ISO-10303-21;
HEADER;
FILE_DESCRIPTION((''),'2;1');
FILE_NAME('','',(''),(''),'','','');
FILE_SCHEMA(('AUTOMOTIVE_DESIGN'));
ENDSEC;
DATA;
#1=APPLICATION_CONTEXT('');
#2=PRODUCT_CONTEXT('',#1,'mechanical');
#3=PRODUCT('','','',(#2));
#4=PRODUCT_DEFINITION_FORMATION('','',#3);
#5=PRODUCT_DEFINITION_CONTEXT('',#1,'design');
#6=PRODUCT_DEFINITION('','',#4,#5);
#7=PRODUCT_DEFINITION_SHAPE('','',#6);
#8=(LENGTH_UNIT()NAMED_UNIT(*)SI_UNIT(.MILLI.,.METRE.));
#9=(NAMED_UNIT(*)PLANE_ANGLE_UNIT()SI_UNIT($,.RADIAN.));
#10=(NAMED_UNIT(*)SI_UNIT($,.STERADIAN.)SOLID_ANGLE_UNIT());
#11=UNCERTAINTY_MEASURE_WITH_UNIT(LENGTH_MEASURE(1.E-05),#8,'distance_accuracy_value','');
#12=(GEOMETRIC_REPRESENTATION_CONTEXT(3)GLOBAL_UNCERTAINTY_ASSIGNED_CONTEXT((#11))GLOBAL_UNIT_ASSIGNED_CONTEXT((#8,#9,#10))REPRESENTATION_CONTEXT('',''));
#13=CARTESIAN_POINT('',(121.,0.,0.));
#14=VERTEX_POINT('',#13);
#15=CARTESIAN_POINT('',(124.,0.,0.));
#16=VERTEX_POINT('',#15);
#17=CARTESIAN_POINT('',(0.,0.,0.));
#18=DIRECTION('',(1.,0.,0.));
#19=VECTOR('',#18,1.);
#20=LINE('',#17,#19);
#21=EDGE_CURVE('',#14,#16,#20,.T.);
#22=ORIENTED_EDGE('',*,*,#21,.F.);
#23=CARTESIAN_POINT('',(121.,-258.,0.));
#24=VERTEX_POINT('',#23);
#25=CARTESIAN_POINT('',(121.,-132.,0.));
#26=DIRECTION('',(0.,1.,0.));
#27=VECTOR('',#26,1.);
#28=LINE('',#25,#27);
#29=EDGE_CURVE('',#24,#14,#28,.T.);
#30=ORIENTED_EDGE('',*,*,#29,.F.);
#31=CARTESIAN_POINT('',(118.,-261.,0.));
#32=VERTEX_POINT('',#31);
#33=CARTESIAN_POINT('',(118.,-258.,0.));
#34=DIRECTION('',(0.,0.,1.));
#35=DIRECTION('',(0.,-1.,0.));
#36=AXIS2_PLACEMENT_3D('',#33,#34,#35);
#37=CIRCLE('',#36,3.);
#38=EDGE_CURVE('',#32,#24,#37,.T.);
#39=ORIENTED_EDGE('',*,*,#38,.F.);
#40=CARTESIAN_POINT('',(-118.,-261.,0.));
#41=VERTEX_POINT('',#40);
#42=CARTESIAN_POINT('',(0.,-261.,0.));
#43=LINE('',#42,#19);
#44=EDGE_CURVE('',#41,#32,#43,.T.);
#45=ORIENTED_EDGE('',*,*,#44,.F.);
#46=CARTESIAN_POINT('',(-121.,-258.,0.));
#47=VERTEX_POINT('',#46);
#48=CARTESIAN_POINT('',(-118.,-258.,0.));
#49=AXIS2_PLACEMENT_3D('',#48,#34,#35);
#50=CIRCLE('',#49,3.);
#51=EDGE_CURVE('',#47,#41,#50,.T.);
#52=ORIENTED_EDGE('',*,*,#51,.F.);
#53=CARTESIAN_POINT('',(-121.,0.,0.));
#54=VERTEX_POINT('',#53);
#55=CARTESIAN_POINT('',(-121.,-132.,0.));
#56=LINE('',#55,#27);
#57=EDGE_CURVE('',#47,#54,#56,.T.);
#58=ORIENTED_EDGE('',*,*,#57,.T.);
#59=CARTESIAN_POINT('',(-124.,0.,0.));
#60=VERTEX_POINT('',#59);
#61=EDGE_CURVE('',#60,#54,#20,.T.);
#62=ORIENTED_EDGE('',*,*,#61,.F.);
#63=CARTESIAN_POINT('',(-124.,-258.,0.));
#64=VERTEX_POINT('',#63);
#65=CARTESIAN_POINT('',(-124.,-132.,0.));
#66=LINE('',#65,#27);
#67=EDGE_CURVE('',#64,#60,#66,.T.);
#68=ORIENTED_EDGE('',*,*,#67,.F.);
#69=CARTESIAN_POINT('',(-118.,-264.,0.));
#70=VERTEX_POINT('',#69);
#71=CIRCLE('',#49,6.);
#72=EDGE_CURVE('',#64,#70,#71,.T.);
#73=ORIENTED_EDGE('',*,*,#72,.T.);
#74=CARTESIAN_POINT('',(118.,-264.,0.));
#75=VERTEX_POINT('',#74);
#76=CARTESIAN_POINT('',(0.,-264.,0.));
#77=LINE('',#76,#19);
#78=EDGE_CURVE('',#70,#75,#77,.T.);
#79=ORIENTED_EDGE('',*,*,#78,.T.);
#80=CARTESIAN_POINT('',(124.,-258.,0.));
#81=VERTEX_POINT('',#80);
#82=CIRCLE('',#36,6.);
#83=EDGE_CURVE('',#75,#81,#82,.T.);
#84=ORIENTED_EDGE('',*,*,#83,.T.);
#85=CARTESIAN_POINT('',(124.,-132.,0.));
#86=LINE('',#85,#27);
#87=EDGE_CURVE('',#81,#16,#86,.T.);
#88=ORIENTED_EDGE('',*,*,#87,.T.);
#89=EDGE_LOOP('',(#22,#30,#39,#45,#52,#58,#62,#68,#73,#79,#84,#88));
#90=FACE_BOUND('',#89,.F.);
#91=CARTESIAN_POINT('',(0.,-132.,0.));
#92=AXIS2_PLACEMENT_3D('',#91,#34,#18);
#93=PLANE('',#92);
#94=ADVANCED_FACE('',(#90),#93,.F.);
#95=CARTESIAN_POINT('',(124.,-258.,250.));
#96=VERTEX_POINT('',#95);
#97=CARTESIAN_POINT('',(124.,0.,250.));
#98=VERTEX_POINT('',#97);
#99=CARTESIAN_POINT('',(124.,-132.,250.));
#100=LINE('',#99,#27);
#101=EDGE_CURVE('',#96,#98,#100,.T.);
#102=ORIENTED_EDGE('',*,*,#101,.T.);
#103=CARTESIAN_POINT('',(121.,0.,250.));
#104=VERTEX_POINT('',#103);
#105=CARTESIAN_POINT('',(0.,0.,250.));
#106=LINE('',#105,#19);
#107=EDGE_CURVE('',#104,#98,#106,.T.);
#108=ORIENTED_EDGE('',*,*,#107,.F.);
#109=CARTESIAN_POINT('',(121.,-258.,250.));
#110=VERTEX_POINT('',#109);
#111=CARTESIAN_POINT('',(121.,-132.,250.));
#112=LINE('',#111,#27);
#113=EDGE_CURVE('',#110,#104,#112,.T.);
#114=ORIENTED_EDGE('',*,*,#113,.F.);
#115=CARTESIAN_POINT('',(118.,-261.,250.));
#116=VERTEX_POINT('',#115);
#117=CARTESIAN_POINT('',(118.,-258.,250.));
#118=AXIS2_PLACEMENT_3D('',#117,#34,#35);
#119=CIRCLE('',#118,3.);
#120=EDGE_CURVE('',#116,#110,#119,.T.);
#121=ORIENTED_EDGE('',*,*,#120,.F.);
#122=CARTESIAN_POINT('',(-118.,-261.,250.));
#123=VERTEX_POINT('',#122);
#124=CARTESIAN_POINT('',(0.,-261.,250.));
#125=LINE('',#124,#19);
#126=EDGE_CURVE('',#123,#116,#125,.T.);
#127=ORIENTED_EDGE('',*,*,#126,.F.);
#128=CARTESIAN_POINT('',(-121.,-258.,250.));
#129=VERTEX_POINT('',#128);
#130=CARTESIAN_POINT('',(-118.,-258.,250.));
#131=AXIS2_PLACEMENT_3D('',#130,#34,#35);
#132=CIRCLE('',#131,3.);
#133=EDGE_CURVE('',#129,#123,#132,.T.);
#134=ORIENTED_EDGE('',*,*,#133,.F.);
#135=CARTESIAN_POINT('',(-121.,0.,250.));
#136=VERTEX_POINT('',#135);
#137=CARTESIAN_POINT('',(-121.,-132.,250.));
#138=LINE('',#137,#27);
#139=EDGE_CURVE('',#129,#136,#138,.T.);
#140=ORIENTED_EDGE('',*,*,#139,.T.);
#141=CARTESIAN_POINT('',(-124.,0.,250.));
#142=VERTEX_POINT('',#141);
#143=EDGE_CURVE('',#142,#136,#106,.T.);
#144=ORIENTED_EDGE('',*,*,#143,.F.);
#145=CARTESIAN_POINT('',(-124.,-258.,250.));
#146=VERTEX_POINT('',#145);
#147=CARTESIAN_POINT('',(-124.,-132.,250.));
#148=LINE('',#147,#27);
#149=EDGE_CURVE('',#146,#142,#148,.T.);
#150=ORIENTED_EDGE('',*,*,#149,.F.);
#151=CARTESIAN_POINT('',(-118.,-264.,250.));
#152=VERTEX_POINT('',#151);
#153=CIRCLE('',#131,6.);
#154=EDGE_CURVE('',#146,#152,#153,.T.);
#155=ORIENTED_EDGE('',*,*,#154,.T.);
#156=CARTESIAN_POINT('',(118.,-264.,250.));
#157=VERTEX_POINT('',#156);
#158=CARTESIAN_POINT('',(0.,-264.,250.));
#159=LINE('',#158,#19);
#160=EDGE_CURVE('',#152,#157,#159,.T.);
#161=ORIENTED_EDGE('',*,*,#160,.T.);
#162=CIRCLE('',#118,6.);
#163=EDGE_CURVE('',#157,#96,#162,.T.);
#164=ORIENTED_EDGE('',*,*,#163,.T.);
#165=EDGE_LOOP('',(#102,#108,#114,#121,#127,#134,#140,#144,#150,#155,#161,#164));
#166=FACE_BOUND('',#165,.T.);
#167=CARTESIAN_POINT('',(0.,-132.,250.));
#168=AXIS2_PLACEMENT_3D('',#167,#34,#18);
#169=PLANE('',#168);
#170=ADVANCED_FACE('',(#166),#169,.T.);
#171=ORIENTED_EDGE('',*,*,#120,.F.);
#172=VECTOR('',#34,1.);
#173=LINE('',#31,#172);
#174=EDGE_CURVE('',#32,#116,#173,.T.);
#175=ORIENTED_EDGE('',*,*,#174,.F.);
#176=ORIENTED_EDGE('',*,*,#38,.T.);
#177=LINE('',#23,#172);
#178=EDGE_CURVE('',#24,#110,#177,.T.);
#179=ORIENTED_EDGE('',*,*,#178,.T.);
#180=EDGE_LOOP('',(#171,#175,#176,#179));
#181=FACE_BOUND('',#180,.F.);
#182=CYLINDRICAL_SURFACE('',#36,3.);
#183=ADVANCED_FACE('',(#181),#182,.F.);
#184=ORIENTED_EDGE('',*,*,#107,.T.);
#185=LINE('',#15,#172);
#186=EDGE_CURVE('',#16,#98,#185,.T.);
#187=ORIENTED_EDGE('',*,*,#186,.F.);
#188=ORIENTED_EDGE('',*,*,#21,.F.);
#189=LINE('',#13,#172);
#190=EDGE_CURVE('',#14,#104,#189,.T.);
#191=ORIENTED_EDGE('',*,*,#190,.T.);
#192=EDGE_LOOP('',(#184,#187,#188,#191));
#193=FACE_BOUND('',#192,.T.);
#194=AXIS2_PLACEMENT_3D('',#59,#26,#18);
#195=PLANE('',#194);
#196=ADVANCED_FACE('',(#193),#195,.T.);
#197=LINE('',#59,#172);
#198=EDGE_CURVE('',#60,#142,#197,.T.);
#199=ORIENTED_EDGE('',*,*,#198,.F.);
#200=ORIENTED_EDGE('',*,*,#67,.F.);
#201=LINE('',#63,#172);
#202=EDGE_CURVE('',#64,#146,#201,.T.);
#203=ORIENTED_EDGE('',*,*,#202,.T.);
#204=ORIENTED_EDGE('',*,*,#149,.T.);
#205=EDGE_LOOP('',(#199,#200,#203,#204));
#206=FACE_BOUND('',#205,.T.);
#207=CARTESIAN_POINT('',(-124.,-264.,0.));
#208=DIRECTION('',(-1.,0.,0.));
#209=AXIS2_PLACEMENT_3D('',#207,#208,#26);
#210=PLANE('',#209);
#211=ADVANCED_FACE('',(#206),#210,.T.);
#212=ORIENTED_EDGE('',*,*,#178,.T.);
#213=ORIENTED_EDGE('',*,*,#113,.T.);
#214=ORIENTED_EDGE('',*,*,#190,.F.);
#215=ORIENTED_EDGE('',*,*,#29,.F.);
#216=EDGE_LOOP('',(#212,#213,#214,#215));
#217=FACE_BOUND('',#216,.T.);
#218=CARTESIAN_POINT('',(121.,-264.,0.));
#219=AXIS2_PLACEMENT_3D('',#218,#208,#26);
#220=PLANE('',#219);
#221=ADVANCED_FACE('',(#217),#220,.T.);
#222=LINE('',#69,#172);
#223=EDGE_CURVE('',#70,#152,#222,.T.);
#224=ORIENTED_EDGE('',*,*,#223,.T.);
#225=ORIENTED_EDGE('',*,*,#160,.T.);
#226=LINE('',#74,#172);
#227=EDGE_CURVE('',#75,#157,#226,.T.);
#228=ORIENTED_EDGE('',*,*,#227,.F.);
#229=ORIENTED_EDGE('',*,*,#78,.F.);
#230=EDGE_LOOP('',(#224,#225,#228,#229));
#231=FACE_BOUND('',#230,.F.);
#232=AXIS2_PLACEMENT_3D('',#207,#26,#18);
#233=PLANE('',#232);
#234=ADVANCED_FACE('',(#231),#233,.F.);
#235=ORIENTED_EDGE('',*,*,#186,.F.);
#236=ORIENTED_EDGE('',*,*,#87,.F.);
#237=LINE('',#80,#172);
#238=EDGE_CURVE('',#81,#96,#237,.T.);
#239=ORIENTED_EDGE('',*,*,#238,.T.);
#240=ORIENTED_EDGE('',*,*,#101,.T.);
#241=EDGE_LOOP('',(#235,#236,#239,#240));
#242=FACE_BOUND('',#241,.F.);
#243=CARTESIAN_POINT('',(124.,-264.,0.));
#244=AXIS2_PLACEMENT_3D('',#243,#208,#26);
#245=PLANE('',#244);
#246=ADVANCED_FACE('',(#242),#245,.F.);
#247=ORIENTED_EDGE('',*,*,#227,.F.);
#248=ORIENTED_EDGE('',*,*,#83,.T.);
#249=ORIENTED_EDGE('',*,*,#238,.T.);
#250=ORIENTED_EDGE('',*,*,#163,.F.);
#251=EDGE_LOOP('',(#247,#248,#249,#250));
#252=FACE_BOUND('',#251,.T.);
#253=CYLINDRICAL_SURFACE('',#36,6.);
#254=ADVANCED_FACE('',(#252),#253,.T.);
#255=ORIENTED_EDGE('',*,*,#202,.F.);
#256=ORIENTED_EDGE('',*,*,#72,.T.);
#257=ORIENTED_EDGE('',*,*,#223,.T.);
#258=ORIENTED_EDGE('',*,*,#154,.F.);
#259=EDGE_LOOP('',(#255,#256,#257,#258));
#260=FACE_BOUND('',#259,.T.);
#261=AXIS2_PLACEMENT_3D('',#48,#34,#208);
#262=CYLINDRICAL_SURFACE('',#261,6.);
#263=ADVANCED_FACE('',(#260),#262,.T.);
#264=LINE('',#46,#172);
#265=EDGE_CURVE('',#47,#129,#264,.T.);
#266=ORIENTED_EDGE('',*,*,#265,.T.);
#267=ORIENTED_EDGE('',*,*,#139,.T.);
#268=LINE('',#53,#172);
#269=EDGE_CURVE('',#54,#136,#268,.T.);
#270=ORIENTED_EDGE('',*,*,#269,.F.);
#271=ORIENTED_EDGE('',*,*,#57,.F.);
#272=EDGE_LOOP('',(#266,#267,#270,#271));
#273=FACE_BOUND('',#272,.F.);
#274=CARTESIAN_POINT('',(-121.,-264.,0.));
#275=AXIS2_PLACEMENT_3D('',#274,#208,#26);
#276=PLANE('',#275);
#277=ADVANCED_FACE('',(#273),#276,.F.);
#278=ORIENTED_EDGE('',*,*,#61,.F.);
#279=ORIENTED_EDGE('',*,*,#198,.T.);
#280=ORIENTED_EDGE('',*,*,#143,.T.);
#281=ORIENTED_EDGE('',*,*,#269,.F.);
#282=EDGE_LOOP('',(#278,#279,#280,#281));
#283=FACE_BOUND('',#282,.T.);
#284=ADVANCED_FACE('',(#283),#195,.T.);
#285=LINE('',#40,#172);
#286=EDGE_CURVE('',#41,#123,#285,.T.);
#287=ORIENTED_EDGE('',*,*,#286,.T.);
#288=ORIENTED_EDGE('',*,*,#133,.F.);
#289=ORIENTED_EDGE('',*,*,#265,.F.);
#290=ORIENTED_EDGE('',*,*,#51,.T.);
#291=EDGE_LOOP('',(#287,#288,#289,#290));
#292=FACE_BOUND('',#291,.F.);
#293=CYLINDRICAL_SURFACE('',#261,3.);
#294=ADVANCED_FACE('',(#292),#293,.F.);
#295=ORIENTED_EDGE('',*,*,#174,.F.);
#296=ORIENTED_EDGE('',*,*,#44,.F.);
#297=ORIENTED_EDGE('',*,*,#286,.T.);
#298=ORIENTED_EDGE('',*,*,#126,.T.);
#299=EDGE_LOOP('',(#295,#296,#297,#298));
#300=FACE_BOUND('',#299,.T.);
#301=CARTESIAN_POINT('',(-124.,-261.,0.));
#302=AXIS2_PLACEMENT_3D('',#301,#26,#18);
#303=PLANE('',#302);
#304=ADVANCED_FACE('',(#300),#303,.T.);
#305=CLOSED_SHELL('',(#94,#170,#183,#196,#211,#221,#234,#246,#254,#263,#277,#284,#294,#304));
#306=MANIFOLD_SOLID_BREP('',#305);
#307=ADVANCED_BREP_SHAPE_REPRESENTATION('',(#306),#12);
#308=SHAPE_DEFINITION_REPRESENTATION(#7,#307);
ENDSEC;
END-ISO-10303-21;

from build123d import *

# Parameters (mm, degrees)
SKETCH002_W  = 248
SKETCH002_H  = 264
PAD002_DEPTH = 250
FILLET002_R  = 6
THICKNESS_T  = -3


with BuildPart() as part:
    # Sketch002 → Pad002 (new body)
    with BuildSketch(Plane.XY):
        with Locations((0, -132)):
            Rectangle(SKETCH002_W, SKETCH002_H)
    extrude(amount=PAD002_DEPTH)

    # Fillet002
    fillet002_edges = [part.edges().sort_by_distance(p)[0] for p in [
        (124, -264, 125),
        (-124, -264, 125),
    ]]
    fillet(fillet002_edges, radius=FILLET002_R)

    # Thickness
    thickness_openings = [part.faces().sort_by_distance(p)[0] for p in [
        (0, -131.969157, 250),
        (0, 0, 125),
        (0, -131.969157, 0),
    ]]
    offset(amount=THICKNESS_T, openings=thickness_openings)


solid = part.part
